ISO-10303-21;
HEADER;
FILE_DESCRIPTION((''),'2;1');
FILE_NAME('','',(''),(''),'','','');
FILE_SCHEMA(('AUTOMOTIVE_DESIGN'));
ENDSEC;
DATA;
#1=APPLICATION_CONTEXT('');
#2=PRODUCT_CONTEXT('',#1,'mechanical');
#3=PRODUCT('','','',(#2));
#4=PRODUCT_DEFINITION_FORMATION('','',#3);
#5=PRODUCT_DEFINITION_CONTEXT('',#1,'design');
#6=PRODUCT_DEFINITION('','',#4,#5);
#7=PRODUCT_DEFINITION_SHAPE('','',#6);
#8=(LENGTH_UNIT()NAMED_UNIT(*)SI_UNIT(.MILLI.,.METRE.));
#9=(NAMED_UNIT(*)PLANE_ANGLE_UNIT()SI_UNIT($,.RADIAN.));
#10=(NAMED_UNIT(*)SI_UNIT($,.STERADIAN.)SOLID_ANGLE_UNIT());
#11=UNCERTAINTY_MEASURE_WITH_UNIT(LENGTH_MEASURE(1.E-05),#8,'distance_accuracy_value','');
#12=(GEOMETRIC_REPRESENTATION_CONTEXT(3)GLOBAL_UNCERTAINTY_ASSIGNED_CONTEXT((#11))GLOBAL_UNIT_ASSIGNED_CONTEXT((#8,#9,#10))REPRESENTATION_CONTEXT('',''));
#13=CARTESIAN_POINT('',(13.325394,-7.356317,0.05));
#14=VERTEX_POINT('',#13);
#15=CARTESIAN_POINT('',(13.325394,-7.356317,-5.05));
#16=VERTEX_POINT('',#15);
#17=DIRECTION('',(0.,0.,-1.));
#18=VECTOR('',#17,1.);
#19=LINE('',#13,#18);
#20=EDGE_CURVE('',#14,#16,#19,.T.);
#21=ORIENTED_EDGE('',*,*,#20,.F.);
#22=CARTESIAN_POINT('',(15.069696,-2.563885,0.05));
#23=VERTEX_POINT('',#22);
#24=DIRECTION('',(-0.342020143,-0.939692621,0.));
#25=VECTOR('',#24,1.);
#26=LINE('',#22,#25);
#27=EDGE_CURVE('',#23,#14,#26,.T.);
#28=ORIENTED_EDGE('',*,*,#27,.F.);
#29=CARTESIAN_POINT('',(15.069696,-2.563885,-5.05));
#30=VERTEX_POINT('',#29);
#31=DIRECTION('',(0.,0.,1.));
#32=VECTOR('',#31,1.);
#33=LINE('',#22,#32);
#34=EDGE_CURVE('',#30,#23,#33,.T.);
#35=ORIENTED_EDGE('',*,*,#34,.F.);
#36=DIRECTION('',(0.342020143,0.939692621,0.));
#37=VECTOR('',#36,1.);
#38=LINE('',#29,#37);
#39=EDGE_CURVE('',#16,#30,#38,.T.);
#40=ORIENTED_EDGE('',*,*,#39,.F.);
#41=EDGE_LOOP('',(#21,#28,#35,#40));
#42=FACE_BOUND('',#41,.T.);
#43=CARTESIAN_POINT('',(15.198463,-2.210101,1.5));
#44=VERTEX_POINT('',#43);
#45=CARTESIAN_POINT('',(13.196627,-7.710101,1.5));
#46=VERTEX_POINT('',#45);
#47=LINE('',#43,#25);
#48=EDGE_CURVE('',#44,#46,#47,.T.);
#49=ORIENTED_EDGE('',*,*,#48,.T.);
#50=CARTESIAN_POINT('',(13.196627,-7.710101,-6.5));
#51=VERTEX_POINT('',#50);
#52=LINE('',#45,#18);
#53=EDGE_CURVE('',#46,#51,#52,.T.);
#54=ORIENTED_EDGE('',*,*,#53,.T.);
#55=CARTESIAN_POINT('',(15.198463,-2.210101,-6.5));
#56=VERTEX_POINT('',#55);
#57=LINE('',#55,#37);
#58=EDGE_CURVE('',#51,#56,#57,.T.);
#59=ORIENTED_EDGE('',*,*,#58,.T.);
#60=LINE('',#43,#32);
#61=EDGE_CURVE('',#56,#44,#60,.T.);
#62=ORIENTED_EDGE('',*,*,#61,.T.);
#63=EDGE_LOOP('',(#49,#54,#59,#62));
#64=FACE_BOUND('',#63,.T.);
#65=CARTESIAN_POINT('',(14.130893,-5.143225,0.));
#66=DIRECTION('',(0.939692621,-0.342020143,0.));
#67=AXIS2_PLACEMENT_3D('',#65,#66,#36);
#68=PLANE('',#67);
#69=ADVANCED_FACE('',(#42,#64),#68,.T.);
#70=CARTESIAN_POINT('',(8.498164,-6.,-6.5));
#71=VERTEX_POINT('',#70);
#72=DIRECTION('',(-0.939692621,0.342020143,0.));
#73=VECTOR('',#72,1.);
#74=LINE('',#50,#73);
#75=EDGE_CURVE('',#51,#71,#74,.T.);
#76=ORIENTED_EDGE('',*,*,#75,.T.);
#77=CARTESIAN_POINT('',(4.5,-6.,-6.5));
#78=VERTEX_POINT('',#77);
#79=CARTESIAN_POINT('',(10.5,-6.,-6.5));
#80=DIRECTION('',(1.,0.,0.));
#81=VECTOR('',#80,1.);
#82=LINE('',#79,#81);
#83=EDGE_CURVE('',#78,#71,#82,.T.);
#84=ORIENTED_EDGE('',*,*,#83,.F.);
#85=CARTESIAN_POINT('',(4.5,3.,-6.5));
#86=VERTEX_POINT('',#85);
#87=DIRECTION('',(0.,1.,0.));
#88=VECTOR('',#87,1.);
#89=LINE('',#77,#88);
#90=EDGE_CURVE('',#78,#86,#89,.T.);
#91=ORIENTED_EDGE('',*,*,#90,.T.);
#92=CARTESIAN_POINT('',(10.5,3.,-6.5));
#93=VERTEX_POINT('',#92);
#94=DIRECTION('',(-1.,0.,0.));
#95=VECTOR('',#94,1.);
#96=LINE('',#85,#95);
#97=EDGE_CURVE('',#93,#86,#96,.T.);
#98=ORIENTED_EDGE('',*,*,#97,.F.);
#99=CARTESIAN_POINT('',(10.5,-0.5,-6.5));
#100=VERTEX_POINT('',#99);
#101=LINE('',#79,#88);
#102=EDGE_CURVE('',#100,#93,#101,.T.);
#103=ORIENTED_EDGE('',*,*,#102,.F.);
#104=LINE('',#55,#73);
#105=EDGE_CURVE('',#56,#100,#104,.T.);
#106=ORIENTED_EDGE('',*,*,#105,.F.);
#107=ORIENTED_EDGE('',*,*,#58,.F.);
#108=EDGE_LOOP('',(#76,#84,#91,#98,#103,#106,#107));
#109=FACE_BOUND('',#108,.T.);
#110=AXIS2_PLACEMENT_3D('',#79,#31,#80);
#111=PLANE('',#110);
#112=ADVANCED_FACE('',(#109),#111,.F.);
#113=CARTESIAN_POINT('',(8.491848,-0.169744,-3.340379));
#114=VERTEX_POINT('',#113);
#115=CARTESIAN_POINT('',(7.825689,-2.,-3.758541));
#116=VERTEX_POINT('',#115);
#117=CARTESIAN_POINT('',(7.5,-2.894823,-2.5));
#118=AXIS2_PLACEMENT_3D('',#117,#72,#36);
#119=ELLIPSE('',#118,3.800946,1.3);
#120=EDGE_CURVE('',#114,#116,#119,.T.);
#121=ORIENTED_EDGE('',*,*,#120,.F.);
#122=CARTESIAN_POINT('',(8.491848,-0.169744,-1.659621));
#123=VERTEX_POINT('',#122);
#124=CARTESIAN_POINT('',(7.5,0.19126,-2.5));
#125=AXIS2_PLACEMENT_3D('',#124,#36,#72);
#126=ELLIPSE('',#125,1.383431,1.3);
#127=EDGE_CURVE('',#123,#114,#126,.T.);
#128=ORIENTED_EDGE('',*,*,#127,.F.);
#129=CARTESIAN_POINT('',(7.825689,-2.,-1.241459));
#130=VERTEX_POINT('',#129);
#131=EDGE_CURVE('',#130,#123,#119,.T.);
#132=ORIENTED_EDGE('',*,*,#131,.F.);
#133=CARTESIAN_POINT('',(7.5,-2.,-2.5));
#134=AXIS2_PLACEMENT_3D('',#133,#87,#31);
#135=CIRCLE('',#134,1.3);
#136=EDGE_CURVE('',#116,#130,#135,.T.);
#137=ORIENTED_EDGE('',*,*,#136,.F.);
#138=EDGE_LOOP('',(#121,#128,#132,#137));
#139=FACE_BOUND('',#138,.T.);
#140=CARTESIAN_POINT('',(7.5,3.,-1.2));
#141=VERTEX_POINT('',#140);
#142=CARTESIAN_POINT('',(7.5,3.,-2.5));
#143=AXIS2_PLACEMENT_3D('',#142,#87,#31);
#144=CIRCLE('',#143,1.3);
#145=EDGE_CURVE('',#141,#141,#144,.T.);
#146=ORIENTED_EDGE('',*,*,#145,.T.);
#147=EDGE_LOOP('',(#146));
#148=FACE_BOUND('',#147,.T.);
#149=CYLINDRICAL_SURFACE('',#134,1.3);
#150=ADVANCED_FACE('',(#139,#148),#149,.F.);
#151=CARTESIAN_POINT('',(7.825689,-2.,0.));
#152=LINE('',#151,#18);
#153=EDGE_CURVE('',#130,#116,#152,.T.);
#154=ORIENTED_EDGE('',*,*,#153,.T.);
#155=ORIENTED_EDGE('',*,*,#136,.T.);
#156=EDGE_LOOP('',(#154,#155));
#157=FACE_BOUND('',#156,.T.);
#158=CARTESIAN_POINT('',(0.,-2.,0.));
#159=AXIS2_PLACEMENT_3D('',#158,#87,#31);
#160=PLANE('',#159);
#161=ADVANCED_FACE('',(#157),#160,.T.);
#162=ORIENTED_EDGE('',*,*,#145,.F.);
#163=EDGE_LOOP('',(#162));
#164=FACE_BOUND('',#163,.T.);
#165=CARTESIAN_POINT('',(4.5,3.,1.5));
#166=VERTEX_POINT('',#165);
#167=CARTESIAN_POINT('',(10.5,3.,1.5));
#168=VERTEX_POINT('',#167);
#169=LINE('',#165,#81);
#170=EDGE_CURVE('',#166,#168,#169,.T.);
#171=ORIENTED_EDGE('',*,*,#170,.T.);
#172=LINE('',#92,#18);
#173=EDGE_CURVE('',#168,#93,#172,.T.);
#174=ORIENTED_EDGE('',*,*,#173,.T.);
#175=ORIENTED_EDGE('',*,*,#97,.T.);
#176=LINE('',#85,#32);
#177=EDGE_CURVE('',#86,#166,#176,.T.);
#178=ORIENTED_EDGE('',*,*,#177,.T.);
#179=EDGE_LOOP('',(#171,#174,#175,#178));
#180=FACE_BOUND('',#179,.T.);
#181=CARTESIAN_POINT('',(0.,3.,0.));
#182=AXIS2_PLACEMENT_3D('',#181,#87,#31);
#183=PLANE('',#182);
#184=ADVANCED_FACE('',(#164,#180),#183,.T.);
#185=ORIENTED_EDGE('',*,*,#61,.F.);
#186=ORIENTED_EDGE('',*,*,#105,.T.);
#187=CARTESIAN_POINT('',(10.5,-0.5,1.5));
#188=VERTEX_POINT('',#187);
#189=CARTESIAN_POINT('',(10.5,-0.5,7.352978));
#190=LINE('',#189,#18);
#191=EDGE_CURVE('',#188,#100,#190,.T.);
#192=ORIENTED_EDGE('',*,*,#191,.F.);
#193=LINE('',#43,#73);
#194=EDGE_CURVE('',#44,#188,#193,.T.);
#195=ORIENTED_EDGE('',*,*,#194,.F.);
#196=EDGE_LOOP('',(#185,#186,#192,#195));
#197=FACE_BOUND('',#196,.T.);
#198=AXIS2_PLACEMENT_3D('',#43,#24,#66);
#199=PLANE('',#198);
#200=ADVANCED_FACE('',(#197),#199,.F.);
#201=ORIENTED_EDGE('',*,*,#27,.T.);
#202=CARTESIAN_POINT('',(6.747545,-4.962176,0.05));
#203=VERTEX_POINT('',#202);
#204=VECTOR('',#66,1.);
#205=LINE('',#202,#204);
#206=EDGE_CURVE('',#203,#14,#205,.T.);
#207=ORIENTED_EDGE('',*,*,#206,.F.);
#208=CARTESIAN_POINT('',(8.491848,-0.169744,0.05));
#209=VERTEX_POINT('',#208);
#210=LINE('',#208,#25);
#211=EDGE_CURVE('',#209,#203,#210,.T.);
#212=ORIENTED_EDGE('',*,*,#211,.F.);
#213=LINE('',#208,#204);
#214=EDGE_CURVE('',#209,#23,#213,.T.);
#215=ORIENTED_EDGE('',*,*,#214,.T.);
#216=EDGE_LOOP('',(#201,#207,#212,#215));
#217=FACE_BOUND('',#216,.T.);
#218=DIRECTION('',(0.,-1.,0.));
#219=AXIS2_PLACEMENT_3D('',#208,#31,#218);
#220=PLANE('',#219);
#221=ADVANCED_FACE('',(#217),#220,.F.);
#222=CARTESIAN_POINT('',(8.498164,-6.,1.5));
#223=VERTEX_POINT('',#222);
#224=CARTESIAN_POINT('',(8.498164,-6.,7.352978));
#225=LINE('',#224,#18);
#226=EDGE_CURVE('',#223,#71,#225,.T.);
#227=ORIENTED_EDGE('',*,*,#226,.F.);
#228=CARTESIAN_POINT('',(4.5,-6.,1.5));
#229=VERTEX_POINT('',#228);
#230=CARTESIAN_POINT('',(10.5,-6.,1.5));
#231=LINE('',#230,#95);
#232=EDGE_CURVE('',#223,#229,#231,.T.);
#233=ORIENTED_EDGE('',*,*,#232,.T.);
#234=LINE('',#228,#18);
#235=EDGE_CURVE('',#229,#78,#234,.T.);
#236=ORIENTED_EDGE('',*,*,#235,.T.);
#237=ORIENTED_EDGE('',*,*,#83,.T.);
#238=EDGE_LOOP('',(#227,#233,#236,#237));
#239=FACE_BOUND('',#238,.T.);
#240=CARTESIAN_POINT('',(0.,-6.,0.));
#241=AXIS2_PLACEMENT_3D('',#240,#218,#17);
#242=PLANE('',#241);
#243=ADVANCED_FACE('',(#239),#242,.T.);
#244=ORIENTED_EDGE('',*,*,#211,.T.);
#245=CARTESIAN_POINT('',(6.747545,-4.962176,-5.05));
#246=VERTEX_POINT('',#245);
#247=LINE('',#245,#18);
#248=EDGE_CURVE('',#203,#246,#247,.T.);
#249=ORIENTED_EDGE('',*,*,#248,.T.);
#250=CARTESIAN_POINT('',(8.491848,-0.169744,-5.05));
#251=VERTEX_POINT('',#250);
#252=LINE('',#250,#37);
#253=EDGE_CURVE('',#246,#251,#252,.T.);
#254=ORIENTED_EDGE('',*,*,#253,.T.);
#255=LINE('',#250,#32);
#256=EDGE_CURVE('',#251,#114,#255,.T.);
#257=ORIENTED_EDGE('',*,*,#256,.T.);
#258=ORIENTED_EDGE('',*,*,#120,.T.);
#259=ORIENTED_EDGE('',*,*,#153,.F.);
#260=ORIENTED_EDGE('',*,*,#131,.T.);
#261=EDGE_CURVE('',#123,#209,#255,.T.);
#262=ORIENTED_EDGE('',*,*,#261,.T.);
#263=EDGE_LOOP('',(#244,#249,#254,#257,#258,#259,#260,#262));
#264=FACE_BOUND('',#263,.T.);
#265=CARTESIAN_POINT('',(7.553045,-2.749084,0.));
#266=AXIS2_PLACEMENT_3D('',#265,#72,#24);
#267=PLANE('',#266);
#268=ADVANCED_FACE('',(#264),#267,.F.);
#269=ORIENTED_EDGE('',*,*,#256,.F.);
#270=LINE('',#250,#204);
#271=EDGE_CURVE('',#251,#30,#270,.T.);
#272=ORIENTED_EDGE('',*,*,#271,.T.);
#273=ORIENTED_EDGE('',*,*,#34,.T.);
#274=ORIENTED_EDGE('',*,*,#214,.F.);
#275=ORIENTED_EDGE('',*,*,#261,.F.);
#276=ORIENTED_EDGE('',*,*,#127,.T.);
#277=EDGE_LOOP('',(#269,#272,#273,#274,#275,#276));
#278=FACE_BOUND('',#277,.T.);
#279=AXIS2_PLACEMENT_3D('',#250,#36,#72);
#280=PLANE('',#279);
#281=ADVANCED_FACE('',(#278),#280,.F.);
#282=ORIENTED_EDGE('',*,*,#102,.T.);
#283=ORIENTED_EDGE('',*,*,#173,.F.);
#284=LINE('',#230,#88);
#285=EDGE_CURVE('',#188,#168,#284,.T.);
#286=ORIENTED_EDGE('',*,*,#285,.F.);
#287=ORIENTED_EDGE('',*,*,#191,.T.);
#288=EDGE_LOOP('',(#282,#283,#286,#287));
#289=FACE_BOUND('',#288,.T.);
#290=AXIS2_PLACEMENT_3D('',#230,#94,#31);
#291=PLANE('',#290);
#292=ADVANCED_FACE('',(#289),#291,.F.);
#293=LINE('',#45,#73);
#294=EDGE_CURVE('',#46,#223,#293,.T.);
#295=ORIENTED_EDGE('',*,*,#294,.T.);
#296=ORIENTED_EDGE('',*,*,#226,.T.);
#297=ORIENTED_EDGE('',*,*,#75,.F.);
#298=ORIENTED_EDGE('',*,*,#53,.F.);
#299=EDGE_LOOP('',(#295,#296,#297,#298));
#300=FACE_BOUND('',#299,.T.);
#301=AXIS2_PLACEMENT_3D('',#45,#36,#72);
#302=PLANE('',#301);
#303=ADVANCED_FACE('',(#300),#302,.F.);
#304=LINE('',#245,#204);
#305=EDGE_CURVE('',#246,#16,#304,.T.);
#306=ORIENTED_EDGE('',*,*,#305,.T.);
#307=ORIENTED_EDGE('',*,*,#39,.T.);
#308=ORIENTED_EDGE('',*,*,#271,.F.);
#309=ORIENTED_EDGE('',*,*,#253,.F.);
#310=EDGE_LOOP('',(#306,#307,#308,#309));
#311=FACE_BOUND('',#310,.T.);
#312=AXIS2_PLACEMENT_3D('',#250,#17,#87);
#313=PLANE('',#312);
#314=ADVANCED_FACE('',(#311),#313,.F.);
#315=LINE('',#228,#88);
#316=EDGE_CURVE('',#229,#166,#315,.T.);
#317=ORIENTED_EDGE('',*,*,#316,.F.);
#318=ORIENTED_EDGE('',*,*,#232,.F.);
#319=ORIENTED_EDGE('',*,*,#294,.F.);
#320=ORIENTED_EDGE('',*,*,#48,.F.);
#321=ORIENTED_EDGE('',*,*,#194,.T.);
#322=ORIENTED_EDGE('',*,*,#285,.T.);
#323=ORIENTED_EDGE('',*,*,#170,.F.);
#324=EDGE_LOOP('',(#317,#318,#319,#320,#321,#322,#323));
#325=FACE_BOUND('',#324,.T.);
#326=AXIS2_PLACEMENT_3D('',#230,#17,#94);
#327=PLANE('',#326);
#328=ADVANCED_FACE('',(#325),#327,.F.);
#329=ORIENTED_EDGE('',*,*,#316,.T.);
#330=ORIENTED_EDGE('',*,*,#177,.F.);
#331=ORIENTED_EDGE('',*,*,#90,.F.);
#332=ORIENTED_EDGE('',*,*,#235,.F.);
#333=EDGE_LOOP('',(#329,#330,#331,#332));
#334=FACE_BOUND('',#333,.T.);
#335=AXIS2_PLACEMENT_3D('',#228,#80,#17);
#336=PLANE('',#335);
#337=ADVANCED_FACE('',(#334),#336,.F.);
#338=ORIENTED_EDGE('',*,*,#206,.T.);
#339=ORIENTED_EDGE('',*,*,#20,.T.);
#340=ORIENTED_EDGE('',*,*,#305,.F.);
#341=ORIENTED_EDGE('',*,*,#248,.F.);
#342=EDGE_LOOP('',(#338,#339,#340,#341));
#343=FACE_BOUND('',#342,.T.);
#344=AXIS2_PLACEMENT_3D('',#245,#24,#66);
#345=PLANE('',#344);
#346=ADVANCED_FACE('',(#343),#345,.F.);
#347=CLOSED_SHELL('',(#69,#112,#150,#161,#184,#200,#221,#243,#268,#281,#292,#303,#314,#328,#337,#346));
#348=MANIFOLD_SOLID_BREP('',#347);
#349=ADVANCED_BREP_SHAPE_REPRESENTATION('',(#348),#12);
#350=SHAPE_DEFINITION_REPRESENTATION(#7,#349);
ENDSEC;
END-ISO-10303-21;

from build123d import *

# Parameters (mm, degrees)
SKETCH_1_W          = 15
SKETCH_1_H          = 5
SKETCH_1_R          = 0.85
EXTRUDE_1_DEPTH     = 2
SKETCH_2_W          = 6
SKETCH_2_H          = 8
EXTRUDE_3_DEPTH     = 6
CUT_EXTRUDE_2_DEPTH = 8
SKETCH_7_W          = 5.1
SKETCH_7_H          = 5.1
CUT_EXTRUDE_3_DEPTH = 2
SKETCH_10_W         = 8
SKETCH_10_H         = 5.852977749
SKETCH_10_W_2       = 5.1
SKETCH_10_H_2       = 5.1
EXTRUDE_4_DEPTH     = 5
SKETCH_11_W         = 6
SKETCH_11_H         = 8
EXTRUDE_5_DEPTH     = 3
CUT_EXTRUDE_4_DEPTH = 5
SKETCH_13_W         = 4.5
SKETCH_13_H         = 5
CUT_EXTRUDE_5_DEPTH = 2


with BuildPart() as part:
    # 草图1 → 凸台-拉伸1 (new body)
    with BuildSketch(Plane(origin=(0, 0, 0), x_dir=(1, 0, 0), z_dir=(0, 1, 0))):
        with Locations((7.5, 2.5)):
            Rectangle(SKETCH_1_W, SKETCH_1_H)
        with Locations(Location((3.25, 2.5, 0), (0, 0, 270))):
            Circle(SKETCH_1_R, mode=Mode.SUBTRACT)
        with Locations(Location((11.75, 2.5, 0), (0, 0, 90))):
            Circle(SKETCH_1_R, mode=Mode.SUBTRACT)
    extrude(amount=EXTRUDE_1_DEPTH)

    # 草图2 → 凸台-拉伸3 (add)
    with BuildSketch(Plane.XZ):
        with Locations((7.5, -2.5)):
            Rectangle(SKETCH_2_W, SKETCH_2_H)
    extrude(amount=EXTRUDE_3_DEPTH)

    # 草图6 → 切除-拉伸2 (cut)
    with BuildSketch(Plane(origin=(0, 0, -6.5), x_dir=(-1, 0, 0), z_dir=(0, 0, -1))):
        Polygon((-10.5, -0.5), (-10.5, -6), (-8.498163712, -6), align=None)
    extrude(amount=-CUT_EXTRUDE_2_DEPTH, mode=Mode.SUBTRACT)

    # 草图7 → 切除-拉伸3 (cut)
    with BuildSketch(Plane(origin=(9.432430229, -3.43312384, 0), x_dir=(0, 0, -1), z_dir=(0.9396926207859104, -0.3420201433256631, 0))):
        with Locations((2.5, 0.19487632)):
            Rectangle(SKETCH_7_W, SKETCH_7_H)
    extrude(amount=-CUT_EXTRUDE_3_DEPTH, mode=Mode.SUBTRACT)

    # 草图10 → 凸台-拉伸4 (add)
    with BuildSketch(Plane(origin=(9.432430229, -3.43312384, 0), x_dir=(0, 0, -1), z_dir=(0.9396926207859104, -0.3420201433256631, 0))):
        with Locations((2.5, 0.19487632)):
            Rectangle(SKETCH_10_W, SKETCH_10_H)
        with Locations((2.5, 0.19487632)):
            Rectangle(SKETCH_10_W_2, SKETCH_10_H_2, mode=Mode.SUBTRACT)
    extrude(amount=EXTRUDE_4_DEPTH)

    # 草图11 → 凸台-拉伸5 (add)
    with BuildSketch(Plane(origin=(0, 0, 0), x_dir=(1, 0, 0), z_dir=(0, 1, 0))):
        with Locations((7.5, 2.5)):
            Rectangle(SKETCH_11_W, SKETCH_11_H)
    extrude(amount=EXTRUDE_5_DEPTH)

    # 草图12 → 切除-拉伸4 (cut)
    with BuildSketch(Plane(origin=(0, 3, 0), x_dir=(1, 0, 0), z_dir=(0, 1, 0))):
        with BuildLine():
            ThreePointArc((8.8, 2.5), (7.5, 3.8), (6.2, 2.5))
            Line((6.2, 2.5), (8.8, 2.5))
        make_face()
        with BuildLine():
            Line((8.8, 2.5), (6.2, 2.5))
            ThreePointArc((6.2, 2.5), (7.5, 1.2), (8.8, 2.5))
        make_face()
    extrude(amount=-CUT_EXTRUDE_4_DEPTH, mode=Mode.SUBTRACT)

    # 草图13 → 切除-拉伸5 (cut)
    with BuildSketch(Plane(origin=(0, 2, 0), x_dir=(1, 0, 0), z_dir=(0, 1, 0))):
        with Locations((2.25, 2.5)):
            Rectangle(SKETCH_13_W, SKETCH_13_H)
        with Locations((12.75, 2.5)):
            Rectangle(SKETCH_13_W, SKETCH_13_H)
    extrude(amount=-CUT_EXTRUDE_5_DEPTH, mode=Mode.SUBTRACT)


solid = part.part
